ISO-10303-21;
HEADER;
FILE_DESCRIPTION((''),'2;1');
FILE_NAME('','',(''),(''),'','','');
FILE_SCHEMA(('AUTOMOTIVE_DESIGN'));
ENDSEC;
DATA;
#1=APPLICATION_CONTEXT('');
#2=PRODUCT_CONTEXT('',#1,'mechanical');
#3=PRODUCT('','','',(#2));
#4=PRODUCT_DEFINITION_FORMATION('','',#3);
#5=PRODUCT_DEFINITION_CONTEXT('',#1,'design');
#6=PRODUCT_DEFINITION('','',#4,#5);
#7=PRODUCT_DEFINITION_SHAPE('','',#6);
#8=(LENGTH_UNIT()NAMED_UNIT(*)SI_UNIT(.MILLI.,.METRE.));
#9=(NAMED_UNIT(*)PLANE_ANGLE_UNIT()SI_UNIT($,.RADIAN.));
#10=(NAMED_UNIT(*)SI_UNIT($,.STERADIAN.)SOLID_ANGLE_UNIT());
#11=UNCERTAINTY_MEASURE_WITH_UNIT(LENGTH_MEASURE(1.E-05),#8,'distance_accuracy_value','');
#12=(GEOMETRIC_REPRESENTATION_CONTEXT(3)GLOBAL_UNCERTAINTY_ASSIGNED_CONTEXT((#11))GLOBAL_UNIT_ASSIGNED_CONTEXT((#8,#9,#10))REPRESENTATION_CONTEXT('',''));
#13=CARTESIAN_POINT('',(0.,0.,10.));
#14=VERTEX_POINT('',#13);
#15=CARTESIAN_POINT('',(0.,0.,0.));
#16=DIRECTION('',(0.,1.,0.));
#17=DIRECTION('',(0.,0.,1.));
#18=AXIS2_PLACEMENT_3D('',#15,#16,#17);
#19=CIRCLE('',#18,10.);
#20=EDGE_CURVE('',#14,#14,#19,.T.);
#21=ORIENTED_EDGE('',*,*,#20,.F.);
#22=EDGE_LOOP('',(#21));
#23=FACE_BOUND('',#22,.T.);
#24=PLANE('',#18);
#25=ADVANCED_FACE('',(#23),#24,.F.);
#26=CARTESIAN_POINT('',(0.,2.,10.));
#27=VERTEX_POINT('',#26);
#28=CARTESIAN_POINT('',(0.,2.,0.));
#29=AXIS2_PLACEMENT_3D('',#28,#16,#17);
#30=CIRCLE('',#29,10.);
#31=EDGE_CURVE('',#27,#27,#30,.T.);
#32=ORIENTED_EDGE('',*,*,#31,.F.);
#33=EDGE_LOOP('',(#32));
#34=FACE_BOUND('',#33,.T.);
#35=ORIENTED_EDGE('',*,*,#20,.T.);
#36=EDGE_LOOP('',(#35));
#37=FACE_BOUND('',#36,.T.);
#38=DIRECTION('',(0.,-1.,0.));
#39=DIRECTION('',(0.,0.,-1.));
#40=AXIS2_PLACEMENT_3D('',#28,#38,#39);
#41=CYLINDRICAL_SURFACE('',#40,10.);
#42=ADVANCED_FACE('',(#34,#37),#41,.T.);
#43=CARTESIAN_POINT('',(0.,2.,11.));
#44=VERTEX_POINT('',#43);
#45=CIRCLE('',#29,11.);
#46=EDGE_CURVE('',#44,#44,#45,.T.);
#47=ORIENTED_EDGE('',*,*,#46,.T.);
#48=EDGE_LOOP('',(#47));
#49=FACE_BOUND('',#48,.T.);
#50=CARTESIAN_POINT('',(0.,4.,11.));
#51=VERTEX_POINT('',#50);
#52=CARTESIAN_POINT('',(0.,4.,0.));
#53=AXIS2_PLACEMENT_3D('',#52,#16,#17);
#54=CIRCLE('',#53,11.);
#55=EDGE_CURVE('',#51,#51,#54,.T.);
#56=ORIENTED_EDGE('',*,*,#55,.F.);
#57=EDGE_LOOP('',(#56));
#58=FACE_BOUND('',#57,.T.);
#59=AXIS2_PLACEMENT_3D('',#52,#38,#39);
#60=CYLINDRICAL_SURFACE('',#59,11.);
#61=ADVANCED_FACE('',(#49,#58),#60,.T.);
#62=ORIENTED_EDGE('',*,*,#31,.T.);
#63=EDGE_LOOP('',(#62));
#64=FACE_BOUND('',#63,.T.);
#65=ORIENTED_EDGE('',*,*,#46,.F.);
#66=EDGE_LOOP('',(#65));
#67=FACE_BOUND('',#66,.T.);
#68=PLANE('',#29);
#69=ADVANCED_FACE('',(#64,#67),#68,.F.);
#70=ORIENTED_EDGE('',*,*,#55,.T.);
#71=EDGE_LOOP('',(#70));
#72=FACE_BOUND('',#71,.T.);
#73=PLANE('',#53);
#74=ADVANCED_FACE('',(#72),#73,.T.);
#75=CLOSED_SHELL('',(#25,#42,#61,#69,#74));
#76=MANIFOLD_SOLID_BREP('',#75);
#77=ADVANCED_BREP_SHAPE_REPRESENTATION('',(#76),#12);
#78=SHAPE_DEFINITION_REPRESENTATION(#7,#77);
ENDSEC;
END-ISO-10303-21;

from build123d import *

# Parameters (mm, degrees)
SKETCH1_R           = 10
BOSS_EXTRUDE1_DEPTH = 2
SKETCH2_R           = 11
BOSS_EXTRUDE2_DEPTH = 2


with BuildPart() as part:
    # Sketch1 → Boss-Extrude1 (new body)
    with BuildSketch(Plane(origin=(0, 0, 0), x_dir=(1, 0, 0), z_dir=(0, 1, 0))):
        Circle(SKETCH1_R)
    extrude(amount=BOSS_EXTRUDE1_DEPTH)

    # Sketch2 → Boss-Extrude2 (add)
    with BuildSketch(Plane(origin=(0, 2, 0), x_dir=(1, 0, 0), z_dir=(0, 1, 0))):
        Circle(SKETCH2_R)
    extrude(amount=BOSS_EXTRUDE2_DEPTH)


solid = part.part
